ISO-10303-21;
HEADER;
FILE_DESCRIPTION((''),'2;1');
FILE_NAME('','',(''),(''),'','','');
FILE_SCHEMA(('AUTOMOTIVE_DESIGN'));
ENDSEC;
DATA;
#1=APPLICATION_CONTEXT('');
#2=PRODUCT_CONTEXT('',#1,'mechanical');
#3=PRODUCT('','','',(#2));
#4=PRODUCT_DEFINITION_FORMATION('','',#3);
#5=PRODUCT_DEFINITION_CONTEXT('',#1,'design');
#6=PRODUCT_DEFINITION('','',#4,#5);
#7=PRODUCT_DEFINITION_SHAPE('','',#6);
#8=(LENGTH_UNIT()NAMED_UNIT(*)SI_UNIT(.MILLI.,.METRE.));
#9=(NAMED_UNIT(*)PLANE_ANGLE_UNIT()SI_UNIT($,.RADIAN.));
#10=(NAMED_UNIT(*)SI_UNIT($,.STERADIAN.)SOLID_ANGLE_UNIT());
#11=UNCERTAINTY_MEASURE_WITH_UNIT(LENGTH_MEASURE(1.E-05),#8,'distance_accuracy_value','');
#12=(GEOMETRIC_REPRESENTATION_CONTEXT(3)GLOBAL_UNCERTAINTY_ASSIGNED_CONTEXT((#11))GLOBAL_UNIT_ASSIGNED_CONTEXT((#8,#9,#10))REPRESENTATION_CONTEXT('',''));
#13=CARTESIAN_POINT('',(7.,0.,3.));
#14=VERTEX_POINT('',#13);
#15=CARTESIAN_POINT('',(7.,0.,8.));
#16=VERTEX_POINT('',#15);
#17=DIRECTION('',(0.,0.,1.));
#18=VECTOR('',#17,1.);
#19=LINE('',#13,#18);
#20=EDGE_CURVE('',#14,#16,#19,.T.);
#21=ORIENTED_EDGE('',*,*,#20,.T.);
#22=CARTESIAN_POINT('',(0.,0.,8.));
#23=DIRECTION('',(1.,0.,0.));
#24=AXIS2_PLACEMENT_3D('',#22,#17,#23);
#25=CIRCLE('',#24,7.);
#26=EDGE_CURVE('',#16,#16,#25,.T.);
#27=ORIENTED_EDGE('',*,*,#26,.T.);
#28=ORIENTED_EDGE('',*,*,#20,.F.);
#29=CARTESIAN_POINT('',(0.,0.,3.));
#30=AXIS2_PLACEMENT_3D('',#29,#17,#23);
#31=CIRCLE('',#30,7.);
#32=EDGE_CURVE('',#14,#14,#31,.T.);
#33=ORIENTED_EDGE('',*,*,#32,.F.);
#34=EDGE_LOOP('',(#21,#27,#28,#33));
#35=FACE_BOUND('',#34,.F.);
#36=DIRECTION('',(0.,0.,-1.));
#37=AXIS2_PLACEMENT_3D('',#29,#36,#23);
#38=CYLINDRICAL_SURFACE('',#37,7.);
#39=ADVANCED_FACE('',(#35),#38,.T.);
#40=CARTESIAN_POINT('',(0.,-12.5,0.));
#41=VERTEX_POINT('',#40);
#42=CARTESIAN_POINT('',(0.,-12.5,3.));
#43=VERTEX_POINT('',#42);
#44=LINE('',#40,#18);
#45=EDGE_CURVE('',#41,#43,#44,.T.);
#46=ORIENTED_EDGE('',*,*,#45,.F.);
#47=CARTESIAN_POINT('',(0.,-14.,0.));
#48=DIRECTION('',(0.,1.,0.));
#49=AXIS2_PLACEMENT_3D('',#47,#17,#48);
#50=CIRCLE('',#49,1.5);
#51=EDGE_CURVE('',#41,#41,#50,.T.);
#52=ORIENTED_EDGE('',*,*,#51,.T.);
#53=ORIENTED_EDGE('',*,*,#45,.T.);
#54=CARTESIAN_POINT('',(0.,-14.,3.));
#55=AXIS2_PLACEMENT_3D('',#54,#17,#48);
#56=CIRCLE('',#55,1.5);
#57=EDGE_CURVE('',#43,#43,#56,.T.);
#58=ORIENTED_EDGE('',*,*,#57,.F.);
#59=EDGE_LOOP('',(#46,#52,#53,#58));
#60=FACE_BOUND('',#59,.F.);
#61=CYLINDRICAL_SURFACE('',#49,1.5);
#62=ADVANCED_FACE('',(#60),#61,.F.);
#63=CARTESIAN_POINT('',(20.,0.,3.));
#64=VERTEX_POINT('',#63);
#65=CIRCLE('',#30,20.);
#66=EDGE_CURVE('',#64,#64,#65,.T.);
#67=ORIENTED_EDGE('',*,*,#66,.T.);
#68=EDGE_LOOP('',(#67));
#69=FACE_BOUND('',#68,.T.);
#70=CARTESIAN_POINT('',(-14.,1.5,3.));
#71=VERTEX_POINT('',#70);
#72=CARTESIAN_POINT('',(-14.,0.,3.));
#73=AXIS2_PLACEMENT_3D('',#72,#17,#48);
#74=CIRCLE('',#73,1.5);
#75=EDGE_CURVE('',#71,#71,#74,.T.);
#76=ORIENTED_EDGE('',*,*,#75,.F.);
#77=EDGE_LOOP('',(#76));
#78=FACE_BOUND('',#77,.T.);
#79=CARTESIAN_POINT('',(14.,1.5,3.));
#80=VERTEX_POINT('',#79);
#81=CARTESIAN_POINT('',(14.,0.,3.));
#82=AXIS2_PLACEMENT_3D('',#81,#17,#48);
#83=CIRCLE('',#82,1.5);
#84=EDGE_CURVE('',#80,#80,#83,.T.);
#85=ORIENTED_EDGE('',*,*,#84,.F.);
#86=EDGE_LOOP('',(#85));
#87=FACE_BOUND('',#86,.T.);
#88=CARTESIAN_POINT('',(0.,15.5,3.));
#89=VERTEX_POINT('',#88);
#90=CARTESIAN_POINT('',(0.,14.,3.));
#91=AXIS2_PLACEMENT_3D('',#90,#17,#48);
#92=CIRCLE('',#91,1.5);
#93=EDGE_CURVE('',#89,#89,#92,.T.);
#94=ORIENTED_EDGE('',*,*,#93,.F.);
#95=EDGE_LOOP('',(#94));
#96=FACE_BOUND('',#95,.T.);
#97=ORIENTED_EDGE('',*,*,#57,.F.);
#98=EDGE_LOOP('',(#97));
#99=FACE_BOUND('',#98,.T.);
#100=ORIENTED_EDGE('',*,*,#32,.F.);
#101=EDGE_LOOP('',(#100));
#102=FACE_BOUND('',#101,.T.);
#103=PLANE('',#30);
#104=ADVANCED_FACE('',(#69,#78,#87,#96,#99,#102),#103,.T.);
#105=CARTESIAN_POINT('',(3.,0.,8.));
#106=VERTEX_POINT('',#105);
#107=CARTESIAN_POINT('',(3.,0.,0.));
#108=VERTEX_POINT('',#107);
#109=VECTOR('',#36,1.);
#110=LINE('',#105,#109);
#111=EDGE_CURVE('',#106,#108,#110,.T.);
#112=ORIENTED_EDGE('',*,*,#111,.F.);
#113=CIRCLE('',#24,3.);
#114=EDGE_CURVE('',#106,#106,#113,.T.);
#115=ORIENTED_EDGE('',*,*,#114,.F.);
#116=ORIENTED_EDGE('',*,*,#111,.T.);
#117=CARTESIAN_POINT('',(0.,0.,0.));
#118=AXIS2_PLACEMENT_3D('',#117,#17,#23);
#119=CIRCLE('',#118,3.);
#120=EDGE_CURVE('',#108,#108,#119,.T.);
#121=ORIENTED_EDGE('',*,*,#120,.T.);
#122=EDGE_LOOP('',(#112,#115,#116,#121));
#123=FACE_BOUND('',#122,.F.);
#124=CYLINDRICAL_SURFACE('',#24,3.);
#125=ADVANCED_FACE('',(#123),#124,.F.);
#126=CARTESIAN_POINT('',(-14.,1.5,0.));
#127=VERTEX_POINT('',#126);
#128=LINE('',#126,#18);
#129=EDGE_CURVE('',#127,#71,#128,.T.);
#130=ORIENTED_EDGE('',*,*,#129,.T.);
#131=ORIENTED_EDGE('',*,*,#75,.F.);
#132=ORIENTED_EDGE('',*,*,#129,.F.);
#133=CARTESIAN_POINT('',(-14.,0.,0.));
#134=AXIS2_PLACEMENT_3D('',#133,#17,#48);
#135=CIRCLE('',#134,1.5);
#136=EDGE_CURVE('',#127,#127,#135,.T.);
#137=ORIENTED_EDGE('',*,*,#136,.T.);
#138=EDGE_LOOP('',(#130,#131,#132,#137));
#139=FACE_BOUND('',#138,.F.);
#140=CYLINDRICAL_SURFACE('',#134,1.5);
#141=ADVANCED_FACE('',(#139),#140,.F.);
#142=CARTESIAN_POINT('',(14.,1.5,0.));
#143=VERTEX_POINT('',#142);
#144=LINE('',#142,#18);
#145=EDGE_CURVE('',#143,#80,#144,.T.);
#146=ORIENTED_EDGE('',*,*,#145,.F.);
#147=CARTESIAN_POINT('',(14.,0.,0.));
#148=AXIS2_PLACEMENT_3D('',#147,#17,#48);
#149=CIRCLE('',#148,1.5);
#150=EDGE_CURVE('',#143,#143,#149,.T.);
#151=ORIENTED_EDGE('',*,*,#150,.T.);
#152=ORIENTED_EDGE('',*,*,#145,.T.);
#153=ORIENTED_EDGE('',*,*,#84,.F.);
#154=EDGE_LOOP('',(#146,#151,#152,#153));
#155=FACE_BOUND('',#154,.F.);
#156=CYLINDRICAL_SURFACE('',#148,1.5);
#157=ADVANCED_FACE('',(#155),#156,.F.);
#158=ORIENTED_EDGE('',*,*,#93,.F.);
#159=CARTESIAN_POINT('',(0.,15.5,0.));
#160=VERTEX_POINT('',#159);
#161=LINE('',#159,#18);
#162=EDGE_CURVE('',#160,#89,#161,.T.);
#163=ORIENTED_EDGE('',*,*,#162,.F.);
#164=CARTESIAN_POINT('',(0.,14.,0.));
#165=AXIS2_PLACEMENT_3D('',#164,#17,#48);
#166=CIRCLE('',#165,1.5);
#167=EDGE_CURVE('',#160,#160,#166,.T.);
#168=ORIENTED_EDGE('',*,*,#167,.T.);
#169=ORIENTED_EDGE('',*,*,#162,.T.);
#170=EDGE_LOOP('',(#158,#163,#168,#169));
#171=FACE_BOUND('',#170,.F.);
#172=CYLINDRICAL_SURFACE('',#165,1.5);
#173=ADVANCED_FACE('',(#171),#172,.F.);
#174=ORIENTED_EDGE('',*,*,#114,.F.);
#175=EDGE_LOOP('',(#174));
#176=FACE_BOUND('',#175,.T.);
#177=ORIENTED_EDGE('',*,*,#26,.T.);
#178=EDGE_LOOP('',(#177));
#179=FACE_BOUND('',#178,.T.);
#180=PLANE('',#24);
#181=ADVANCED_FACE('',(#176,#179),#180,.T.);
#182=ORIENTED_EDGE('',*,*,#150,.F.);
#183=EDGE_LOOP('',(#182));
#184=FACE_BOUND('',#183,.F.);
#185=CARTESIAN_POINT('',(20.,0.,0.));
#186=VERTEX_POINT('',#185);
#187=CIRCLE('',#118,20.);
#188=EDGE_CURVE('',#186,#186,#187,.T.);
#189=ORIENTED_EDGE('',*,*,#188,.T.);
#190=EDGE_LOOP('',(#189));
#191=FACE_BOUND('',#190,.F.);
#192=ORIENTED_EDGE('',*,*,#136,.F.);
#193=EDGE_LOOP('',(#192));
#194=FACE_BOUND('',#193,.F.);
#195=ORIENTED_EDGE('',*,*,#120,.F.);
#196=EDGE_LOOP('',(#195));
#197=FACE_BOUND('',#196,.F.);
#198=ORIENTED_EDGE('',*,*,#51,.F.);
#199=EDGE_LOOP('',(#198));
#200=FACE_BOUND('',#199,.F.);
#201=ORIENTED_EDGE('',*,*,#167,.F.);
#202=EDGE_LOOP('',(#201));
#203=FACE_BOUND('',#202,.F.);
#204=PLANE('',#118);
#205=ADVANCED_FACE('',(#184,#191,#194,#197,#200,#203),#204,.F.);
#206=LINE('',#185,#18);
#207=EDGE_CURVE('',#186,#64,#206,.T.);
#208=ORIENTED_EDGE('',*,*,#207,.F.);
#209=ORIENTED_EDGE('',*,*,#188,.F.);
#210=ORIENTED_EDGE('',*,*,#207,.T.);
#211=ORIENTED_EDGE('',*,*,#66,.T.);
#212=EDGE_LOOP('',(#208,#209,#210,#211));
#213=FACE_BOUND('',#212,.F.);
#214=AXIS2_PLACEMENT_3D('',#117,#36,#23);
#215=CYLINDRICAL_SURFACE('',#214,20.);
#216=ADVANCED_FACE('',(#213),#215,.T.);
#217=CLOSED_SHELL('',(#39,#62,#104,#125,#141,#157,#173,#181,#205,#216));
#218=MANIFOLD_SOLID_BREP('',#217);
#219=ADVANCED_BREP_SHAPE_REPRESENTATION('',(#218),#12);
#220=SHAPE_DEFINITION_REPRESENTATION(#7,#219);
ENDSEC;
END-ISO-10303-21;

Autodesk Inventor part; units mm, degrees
ref_plane "YZ Plane" through (0, 0, 0) normal (1, 0, 0) x (0, 1, 0)
ref_plane "XZ Plane" through (0, 0, 0) normal (0, 1, 0) x (-1, 0, 0)
ref_plane "XY Plane" through (0, 0, 0) normal (0, 0, 1) x (1, 0, 0)
sketch "スケッチ1" plane through (0, 0, 0) normal (0, 0, 1) x (1, 0, 0)
  circle A0 centre (0, 0) radius 20
  dimension "d0" = 40
extrude "押し出し1" add sketch "スケッチ1" along normal blind 3
sketch "スケッチ2" plane through (0, 0, 3) normal (0, 0, 1) x (1, 0, 0)
  circle A0 centre (0, 0) radius 7
  dimension "d3" = 14
extrude "押し出し2" add sketch "スケッチ2" along normal blind 5
sketch "スケッチ3" plane through (0, 0, 8) normal (0, 0, 1) x (1, 0, 0)
  circle A0 centre (0, 0) radius 3
  dimension "d6" = 6
extrude "押し出し3" cut sketch "スケッチ3" against normal through all
sketch "スケッチ4" plane through (0, 0, 0) normal (0, 0, -1) x (-1, 0, 0)
  point P0 (0, 0)
  point P1 (0, 14)
  point P2 (0, -14)
  point P3 (14, 0)
  point P4 (-14, 0)
  dimension "d9" = 28
  dimension "d10" = 28
  dimension "d11" = 14
  dimension "d12" = 14
hole "穴1" at (0, 14, 0) at (0, -14, 0) at (-14, 0, 0) at (14, 0, 0) direction (0, 0, 1) diameter 3 end through all
sketch "スケッチ5" plane through (0, 0, 8) normal (0, 0, 1) x (1, 0, 0)
  point P0 (0, 0)
sketch "スケッチ6" plane through (0, 0, 0) normal (1, 0, 0) x (0, 1, 0)
  point P0 (0, 0)
equation "\"d11\" = 0.5 * d9"
equation "\"d12\" = 0.5 * d10"
properties part number "RD010_ギアDS0.5-80" material "PVC、無可塑"
